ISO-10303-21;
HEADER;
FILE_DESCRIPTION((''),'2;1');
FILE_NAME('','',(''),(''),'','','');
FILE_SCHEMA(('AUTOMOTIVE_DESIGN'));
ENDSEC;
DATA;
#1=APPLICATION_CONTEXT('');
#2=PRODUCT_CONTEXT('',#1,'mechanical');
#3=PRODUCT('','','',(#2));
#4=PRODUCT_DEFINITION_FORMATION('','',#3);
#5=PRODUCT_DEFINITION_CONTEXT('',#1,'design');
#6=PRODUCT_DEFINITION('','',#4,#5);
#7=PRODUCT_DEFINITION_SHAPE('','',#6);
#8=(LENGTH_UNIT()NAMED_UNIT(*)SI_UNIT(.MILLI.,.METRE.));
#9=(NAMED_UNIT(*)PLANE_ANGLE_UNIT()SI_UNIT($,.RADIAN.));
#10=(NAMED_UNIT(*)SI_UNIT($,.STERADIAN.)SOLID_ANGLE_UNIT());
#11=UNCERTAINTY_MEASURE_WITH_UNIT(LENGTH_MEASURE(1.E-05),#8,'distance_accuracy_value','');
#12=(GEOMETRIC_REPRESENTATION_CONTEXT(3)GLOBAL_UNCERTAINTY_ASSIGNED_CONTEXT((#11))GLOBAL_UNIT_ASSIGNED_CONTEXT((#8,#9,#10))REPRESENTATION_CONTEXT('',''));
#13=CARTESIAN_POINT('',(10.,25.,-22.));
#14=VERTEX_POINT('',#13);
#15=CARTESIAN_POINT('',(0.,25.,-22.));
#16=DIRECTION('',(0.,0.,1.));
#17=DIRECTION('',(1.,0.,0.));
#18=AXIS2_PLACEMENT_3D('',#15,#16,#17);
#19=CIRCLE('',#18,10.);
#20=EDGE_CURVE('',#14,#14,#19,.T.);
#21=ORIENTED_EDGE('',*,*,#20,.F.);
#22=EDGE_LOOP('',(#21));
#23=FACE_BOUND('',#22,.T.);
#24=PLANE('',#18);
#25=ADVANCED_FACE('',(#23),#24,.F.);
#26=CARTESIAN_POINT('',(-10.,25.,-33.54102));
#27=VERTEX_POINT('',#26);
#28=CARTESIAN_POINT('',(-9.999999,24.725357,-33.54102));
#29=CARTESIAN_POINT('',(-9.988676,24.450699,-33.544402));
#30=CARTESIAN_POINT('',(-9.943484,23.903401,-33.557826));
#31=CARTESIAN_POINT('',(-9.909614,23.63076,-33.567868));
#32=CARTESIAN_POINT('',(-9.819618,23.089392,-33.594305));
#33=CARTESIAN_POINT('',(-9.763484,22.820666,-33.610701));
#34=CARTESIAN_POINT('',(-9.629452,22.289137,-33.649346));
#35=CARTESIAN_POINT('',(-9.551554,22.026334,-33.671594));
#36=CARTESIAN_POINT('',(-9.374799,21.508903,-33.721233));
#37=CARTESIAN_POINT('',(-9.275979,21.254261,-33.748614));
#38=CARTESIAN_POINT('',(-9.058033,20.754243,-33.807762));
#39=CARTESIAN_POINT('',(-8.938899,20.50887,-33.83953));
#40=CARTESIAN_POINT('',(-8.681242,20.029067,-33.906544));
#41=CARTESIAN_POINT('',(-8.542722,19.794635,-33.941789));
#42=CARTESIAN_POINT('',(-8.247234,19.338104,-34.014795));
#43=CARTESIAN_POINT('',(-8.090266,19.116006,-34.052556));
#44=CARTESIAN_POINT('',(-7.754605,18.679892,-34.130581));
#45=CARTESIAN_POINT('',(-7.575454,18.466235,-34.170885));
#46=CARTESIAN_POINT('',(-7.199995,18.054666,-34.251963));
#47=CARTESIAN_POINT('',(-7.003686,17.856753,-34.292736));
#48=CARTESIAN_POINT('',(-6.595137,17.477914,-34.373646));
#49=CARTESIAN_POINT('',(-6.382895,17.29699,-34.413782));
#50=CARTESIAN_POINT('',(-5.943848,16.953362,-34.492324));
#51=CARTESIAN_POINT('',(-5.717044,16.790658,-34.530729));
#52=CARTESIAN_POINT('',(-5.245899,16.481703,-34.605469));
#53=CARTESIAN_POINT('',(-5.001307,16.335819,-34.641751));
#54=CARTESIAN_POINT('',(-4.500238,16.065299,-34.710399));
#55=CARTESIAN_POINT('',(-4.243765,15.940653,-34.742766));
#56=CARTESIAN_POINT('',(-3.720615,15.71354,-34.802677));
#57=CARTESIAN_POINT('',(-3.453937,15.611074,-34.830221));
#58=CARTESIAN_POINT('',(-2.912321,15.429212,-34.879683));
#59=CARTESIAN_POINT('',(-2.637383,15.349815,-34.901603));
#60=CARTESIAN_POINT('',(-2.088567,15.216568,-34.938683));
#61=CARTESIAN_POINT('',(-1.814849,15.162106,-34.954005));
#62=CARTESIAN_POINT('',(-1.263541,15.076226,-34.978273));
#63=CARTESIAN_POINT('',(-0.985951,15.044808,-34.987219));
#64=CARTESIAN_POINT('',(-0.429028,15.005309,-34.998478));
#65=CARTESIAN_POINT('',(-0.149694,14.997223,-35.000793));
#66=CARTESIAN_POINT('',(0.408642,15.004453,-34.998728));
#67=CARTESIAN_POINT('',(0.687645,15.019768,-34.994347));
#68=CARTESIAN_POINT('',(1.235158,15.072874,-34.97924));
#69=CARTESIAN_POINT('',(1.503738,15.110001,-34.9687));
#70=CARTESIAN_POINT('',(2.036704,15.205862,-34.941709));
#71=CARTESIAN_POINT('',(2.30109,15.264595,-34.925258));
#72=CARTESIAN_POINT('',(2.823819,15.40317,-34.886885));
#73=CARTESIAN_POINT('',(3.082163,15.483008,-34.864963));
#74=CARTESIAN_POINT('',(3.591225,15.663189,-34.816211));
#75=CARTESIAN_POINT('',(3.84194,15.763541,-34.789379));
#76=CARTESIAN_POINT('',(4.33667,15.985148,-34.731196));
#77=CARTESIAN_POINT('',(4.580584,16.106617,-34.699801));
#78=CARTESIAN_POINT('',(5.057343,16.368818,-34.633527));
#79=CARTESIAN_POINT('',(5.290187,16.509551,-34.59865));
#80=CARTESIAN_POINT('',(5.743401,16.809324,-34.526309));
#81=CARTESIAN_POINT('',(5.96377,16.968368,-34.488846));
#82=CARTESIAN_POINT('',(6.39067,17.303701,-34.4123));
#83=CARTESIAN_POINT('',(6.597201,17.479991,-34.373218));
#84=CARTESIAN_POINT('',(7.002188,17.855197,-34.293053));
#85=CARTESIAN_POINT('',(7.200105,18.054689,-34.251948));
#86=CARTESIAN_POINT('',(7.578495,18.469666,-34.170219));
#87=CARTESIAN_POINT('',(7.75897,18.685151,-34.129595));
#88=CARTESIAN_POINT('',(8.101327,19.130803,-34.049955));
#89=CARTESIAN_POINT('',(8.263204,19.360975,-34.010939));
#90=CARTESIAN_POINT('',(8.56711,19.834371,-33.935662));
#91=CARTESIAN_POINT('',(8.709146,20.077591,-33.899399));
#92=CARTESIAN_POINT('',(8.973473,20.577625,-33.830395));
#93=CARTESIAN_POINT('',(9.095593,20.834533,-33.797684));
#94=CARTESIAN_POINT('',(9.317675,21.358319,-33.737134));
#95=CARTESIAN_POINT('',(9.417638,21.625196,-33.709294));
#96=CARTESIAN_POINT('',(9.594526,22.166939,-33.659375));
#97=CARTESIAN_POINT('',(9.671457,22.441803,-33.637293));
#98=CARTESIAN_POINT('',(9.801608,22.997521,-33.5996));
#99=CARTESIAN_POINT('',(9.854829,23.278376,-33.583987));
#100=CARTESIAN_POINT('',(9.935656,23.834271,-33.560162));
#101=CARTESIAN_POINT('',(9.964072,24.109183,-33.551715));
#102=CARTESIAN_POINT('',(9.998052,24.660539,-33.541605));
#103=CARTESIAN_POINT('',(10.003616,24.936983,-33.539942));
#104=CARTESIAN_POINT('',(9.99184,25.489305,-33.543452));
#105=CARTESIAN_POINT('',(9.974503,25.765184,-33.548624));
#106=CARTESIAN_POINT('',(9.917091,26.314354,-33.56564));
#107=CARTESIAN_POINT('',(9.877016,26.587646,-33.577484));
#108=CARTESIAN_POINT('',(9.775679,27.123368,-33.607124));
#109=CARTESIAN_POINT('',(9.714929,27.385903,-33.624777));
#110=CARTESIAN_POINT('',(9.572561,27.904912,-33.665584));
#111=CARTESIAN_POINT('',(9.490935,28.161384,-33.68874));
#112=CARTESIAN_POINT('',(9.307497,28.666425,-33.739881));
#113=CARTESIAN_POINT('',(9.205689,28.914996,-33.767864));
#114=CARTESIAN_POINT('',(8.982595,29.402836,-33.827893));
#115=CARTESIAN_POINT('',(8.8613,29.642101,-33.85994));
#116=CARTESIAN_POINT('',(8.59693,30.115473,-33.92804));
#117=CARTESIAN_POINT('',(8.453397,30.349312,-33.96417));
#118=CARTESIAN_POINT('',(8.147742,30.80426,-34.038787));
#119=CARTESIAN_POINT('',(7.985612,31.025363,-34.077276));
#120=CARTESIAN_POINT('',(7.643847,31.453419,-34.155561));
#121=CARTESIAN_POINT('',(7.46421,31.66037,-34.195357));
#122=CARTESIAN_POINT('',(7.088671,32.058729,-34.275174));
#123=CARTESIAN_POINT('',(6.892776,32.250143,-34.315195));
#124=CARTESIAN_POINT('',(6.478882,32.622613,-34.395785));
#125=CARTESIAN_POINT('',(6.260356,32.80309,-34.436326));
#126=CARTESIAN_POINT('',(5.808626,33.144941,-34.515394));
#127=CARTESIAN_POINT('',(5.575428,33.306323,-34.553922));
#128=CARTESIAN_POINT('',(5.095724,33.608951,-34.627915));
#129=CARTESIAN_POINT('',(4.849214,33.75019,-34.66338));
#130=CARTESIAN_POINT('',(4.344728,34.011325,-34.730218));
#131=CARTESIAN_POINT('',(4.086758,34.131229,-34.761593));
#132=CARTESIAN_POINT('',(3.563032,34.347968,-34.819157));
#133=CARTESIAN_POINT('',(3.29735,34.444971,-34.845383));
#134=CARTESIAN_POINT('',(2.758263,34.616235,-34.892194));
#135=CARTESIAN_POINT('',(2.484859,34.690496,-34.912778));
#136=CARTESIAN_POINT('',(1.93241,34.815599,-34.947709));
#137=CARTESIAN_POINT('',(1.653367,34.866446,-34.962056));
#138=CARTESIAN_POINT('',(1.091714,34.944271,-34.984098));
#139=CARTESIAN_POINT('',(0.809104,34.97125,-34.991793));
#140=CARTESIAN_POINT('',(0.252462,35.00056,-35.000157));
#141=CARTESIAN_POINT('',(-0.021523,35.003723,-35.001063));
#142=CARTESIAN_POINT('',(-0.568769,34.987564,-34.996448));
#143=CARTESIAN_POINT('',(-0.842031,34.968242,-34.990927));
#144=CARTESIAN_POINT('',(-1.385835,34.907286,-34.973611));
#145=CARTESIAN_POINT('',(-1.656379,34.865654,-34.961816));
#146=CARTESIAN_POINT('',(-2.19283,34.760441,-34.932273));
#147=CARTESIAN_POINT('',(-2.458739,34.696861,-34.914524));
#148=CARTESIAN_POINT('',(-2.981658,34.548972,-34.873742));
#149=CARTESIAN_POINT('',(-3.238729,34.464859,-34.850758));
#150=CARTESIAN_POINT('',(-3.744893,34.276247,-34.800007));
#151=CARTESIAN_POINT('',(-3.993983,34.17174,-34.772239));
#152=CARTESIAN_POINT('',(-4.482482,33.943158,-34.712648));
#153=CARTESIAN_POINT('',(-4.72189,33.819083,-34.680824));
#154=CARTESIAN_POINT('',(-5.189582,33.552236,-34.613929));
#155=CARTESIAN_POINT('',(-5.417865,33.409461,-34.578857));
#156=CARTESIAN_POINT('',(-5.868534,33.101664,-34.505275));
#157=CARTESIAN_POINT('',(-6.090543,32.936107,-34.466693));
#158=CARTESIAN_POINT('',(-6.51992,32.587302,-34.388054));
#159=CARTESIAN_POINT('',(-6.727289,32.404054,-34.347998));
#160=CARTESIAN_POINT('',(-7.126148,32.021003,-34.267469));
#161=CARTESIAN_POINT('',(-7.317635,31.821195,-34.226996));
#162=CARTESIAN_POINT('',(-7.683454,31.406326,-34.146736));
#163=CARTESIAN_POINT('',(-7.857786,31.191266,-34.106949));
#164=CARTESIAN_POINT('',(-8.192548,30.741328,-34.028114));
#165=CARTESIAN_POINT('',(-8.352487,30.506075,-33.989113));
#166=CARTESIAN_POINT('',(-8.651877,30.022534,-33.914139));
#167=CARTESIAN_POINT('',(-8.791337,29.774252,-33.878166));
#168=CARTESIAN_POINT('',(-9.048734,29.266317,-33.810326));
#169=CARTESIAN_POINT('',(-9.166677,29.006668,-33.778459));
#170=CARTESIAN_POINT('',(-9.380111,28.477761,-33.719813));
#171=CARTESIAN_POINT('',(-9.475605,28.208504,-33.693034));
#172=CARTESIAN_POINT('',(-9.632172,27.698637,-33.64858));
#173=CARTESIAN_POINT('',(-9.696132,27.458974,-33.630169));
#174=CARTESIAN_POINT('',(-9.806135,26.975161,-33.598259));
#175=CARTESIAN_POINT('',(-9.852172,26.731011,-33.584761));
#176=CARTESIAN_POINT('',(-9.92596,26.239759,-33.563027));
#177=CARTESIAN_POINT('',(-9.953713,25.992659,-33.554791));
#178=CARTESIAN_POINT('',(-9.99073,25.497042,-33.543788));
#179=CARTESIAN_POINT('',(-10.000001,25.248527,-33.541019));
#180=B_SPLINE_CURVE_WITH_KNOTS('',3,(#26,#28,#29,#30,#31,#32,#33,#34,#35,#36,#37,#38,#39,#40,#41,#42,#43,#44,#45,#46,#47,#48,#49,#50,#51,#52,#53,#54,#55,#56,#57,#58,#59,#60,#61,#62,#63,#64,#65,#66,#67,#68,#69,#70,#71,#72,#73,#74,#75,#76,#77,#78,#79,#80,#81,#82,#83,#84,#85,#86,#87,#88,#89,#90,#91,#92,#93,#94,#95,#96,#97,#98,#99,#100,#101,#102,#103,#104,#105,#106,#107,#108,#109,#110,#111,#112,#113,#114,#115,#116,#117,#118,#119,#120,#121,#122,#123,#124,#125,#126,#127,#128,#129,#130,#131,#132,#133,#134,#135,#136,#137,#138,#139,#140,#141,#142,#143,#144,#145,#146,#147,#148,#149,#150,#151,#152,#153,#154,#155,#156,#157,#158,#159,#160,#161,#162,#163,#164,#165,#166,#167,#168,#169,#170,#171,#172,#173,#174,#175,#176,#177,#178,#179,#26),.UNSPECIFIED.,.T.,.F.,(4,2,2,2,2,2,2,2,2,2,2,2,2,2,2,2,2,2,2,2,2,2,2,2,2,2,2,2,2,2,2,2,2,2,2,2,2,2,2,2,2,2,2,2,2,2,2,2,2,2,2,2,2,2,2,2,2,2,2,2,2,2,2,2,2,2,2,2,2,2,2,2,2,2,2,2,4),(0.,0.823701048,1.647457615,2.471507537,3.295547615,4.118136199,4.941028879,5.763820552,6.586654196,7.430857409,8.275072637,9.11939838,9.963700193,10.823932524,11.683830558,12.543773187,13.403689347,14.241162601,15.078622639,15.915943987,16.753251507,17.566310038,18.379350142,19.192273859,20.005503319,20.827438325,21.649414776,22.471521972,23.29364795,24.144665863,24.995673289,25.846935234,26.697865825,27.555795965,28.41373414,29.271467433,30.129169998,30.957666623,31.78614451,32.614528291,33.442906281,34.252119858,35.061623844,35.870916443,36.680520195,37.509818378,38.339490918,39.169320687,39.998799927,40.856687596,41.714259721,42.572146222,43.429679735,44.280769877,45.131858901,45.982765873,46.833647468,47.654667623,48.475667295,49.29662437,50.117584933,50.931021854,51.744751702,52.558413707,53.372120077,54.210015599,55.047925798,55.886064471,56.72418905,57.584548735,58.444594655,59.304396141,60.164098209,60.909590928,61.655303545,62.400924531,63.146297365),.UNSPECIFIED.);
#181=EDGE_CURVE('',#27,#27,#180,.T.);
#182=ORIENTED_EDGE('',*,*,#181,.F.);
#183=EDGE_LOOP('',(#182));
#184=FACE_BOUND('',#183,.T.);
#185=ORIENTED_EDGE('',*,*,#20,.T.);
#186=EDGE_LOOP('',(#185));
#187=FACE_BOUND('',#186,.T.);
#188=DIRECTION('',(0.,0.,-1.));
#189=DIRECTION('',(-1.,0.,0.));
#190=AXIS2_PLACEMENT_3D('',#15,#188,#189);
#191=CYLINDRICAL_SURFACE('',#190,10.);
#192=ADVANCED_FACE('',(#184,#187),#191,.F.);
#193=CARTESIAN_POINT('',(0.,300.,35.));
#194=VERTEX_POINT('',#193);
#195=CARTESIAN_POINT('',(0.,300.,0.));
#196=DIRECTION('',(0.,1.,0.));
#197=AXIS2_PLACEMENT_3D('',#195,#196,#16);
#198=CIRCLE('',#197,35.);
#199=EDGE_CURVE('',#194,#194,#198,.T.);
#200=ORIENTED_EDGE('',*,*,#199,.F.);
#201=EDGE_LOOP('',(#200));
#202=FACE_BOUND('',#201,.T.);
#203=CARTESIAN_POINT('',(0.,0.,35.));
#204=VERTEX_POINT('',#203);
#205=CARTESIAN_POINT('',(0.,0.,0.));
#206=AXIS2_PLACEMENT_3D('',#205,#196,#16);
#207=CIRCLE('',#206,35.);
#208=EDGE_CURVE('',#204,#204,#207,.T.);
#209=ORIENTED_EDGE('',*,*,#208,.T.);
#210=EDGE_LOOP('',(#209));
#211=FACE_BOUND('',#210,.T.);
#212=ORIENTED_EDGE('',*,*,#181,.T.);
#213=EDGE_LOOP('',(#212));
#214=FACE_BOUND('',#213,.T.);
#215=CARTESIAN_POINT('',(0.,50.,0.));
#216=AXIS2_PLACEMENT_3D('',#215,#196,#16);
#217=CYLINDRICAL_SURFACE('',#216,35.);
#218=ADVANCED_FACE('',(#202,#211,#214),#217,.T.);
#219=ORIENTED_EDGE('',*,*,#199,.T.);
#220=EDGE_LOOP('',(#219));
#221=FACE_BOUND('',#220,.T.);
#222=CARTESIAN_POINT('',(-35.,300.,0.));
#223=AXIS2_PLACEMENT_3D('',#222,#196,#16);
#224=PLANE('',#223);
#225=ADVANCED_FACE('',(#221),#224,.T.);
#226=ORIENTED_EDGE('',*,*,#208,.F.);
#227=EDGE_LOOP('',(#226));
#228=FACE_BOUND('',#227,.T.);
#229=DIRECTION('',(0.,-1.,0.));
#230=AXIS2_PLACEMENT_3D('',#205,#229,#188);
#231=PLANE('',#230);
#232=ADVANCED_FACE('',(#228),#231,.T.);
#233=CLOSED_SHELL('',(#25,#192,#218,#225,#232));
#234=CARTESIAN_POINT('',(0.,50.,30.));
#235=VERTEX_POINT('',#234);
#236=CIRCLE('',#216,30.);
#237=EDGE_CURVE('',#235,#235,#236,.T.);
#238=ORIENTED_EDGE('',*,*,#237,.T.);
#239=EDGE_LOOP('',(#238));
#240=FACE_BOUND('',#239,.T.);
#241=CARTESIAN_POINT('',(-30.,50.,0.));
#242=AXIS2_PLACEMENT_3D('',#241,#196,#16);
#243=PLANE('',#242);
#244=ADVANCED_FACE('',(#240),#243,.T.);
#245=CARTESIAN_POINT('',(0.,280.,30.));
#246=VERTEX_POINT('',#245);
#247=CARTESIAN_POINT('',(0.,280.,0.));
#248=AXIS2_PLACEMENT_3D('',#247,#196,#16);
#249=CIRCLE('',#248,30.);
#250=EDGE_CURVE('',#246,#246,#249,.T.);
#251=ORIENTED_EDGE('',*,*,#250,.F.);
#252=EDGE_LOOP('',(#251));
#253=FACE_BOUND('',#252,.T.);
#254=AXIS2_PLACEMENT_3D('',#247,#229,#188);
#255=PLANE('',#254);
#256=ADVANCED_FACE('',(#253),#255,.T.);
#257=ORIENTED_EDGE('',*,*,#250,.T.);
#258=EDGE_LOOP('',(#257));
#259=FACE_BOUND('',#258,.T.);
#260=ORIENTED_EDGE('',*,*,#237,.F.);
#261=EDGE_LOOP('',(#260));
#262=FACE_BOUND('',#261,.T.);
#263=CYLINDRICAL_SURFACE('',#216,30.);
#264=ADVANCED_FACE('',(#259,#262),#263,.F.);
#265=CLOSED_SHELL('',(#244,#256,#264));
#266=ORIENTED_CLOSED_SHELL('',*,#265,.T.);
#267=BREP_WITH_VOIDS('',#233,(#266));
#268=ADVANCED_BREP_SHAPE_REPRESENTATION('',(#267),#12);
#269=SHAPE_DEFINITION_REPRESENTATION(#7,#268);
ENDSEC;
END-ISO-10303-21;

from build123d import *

# Parameters (mm, degrees)
CUT_EXTRUDE_1_DEPTH      = 10
CUT_EXTRUDE_1_DEPTH_BACK = 10
SKETCH_2_R               = 10


with BuildPart() as part:
    # Эскиз1 → Повернуть1 (revolve)
    with BuildSketch(Plane.XY):
        Polygon((-30, 50), (0, 50), (0, 0), (-35, 0), (-35, 300), (0, 300), (0, 280), (-30, 280), align=None)
    revolve(axis=Axis((0, 50, 0), (0, -1, 0)))

    # Эскиз2 → Вырез-Вытянуть1 (cut, two sides: drawn at the far end of the back side and taken through both)
    with BuildSketch(Plane.XY.offset(-32).offset(-CUT_EXTRUDE_1_DEPTH_BACK)):
        with Locations((0, 25)):
            Circle(SKETCH_2_R)
    extrude(amount=CUT_EXTRUDE_1_DEPTH + CUT_EXTRUDE_1_DEPTH_BACK, mode=Mode.SUBTRACT)


solid = part.part
